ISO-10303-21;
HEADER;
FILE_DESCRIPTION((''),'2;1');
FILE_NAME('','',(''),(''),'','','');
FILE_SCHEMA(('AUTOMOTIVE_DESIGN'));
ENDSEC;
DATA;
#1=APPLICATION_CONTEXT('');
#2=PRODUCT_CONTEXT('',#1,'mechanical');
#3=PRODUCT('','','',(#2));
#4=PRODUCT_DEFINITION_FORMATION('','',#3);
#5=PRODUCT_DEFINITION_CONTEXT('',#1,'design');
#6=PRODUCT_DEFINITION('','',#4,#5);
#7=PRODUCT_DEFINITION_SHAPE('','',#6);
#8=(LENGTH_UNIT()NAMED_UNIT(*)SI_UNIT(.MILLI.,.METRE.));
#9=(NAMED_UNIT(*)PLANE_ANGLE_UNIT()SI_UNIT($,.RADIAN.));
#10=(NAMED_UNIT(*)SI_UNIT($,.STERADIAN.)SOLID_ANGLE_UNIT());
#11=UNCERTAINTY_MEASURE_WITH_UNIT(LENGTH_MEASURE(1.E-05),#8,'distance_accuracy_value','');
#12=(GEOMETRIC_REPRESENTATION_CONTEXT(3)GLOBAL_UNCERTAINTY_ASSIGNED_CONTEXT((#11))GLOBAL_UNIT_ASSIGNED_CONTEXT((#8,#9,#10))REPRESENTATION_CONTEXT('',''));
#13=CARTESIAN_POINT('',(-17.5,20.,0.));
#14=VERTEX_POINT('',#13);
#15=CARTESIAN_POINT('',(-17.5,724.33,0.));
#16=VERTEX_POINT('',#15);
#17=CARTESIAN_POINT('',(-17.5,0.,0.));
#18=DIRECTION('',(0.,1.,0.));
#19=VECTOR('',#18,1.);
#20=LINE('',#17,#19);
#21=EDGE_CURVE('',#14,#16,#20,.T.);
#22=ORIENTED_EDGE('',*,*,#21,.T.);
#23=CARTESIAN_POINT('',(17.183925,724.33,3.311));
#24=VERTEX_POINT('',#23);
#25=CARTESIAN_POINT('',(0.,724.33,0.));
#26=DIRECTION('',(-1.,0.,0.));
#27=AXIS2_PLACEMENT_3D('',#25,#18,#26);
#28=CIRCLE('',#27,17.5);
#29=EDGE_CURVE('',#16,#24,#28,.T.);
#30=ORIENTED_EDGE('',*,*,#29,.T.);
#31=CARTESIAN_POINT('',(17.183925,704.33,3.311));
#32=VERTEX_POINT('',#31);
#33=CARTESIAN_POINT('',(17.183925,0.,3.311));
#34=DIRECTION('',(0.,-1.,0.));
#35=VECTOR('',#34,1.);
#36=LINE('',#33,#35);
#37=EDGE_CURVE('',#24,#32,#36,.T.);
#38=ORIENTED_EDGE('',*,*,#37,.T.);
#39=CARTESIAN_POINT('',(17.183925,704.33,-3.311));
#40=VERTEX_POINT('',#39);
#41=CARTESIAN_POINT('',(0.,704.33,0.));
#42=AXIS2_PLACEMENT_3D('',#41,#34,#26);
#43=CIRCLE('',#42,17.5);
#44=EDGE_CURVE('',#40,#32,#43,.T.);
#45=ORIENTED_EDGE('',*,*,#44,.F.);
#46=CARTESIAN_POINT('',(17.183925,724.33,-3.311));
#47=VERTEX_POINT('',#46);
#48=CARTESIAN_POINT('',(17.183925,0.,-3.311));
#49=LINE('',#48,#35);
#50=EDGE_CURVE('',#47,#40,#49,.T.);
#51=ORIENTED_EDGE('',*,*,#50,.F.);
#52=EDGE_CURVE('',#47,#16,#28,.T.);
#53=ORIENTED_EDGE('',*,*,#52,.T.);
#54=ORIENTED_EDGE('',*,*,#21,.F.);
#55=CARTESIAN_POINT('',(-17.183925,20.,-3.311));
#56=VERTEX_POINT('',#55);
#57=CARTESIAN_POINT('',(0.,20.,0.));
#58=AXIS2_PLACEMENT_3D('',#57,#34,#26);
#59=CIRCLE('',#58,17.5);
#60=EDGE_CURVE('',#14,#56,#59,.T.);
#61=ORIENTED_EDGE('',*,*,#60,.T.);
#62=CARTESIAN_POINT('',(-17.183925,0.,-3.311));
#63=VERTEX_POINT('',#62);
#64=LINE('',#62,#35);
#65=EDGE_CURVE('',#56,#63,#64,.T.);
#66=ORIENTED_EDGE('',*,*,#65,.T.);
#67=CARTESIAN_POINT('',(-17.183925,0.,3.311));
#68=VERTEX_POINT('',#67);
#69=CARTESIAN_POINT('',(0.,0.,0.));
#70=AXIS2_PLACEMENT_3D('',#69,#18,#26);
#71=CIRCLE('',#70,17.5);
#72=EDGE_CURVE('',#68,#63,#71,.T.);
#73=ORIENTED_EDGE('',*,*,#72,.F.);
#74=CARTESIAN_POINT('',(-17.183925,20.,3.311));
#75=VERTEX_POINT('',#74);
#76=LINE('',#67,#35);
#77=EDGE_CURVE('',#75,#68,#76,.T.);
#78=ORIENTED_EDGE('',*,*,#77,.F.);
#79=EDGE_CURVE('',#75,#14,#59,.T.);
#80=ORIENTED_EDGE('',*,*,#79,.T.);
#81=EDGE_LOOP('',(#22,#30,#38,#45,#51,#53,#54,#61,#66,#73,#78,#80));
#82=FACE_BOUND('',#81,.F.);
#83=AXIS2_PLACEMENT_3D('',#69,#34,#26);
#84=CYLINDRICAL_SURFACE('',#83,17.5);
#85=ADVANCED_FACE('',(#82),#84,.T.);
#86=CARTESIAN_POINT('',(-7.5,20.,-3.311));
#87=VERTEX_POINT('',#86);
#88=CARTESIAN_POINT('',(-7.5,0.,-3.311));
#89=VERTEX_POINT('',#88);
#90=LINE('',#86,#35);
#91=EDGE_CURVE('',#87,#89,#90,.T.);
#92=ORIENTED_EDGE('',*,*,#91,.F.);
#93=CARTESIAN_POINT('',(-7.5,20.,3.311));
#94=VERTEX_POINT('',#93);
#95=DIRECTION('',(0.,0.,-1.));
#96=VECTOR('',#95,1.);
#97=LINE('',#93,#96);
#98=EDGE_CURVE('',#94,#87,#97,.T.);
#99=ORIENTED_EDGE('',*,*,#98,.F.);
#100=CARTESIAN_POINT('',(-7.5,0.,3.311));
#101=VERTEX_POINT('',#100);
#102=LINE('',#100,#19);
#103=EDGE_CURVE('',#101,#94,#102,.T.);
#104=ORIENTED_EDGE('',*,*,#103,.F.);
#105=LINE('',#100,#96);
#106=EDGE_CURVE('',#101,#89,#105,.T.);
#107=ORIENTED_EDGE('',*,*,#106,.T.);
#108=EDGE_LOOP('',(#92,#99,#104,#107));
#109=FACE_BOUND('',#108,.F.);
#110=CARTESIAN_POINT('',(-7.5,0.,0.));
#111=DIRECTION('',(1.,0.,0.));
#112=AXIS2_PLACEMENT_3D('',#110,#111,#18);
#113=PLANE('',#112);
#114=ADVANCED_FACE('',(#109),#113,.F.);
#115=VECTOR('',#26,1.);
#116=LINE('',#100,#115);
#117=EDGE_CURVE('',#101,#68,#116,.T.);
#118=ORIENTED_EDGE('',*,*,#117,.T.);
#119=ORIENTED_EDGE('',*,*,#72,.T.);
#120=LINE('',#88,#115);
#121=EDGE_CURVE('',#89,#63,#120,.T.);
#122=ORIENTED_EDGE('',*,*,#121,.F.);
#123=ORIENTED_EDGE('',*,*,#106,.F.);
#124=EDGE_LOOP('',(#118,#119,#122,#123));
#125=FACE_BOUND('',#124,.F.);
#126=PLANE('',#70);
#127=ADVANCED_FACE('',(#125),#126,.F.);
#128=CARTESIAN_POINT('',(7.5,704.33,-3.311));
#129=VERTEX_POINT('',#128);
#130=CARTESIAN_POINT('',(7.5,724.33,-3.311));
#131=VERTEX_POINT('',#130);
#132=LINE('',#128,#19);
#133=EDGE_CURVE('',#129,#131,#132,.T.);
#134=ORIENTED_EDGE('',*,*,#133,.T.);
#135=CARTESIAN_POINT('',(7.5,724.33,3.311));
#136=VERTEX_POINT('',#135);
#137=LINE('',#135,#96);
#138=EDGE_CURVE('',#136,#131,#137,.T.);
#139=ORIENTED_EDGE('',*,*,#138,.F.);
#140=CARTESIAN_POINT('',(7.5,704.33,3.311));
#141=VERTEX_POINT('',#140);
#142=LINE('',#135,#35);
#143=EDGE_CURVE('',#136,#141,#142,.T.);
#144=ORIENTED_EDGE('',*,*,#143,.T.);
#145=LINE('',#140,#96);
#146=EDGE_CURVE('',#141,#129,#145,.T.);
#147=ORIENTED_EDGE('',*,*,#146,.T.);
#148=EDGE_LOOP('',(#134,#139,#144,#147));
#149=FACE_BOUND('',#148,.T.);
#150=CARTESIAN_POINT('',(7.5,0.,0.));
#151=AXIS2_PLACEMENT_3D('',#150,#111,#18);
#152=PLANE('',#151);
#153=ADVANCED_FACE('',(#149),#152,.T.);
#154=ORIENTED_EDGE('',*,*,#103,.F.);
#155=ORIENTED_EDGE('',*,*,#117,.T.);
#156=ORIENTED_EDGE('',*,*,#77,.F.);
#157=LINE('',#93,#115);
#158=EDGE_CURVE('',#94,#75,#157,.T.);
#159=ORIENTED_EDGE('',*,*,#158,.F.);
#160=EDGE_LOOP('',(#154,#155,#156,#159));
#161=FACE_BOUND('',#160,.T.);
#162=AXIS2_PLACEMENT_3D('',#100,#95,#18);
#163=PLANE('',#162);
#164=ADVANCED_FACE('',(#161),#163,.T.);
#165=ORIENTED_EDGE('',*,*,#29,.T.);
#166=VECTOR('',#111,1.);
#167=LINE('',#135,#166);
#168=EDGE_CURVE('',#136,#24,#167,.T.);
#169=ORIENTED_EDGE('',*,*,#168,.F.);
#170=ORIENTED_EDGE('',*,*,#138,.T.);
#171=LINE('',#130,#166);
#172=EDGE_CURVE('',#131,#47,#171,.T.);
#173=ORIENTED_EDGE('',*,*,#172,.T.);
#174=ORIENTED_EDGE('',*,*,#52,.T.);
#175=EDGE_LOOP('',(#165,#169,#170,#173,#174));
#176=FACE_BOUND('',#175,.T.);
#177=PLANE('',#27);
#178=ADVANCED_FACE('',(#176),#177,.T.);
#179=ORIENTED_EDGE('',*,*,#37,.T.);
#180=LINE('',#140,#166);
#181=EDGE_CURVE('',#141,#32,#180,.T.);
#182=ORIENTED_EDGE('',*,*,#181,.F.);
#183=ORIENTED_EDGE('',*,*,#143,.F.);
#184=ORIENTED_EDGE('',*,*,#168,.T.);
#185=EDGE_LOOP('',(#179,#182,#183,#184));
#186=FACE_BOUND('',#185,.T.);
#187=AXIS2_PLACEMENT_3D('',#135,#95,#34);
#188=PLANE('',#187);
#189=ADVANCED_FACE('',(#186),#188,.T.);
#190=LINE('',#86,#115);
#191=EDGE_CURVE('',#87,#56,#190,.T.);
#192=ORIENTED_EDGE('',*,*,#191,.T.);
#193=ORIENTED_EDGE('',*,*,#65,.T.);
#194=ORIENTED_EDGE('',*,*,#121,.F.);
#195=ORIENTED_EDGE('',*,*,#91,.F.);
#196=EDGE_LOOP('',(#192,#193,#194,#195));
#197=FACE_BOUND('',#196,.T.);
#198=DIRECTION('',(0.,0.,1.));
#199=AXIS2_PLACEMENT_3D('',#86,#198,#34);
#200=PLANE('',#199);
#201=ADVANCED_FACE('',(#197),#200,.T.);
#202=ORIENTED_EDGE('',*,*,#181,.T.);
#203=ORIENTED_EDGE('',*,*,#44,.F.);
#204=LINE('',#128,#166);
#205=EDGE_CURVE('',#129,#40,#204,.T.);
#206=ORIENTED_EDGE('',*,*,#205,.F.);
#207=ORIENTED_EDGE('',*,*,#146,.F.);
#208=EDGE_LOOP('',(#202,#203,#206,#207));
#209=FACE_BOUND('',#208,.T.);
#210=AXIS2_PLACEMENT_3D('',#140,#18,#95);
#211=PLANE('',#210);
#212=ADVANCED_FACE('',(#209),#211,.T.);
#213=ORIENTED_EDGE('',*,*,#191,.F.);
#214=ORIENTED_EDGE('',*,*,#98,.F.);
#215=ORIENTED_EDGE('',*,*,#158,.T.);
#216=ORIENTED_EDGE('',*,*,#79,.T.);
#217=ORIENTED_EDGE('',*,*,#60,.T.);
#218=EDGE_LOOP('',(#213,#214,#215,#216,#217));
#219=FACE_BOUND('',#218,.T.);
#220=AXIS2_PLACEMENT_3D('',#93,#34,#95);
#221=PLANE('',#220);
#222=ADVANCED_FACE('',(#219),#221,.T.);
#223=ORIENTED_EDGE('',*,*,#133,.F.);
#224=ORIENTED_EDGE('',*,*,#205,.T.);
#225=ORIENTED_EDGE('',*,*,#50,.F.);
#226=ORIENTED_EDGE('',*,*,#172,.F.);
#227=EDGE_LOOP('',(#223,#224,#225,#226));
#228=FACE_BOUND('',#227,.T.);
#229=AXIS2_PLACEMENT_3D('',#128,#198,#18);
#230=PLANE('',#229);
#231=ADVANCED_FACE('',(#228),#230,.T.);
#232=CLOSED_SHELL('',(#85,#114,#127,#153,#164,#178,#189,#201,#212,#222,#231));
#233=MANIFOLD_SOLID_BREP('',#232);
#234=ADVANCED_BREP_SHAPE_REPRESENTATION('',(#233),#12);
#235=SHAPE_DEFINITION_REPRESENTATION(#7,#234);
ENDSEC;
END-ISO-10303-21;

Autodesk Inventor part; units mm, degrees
ref_plane "XZ Plane" through (0, 0, 0) normal (0, 1, 0) x (-1, 0, 0)
sketch "Skizze1" plane through (0, 0, 0) normal (0, 1, 0) x (-1, 0, 0)
  circle A0 centre (0, 0) radius 17.5
  dimension "d0" = 35
extrude "Extrusion1" add sketch "Skizze1" along normal blind 724.33
ref_plane "Arbeitsebene1" through (-7.5, 0, 0) normal (1, 0, 0) x (0, 1, 0)
sketch "Skizze2" plane through (-7.5, 0, 0) normal (1, 0, 0) x (0, 1, 0)
  line L0 (0, 0) -> (0, 3.311)
  line L1 (0, -17.5) -> (0, 17.5) construction
  line L2 (0, 0) -> (0, -3.311)
  line L3 (0, 3.311) -> (20, 3.311)
  line L4 (20, 3.311) -> (20, -3.311)
  line L5 (20, -3.311) -> (0, -3.311)
  line L6 (0, -3.311) -> (0, 3.311)
  dimension "d4" = 3.311
  dimension "d5" = 3.311
  dimension "d6" = 20
extrude "Extrusion2" cut sketch "Skizze2" against normal blind 724.33
ref_plane "Arbeitsebene2" through (7.5, 0, 0) normal (1, 0, 0) x (0, 1, 0)
sketch "Skizze3" plane through (7.5, 0, 0) normal (1, 0, 0) x (0, 1, 0)
  line L0 (724.33, -17.5) -> (724.33, 17.5) construction
  line L1 (724.33, 0) -> (724.33, 3.311)
  line L2 (724.33, 0) -> (724.33, -3.311)
  line L3 (724.33, 3.311) -> (704.33, 3.311)
  line L4 (704.33, 3.311) -> (704.33, -3.311)
  line L5 (704.33, -3.311) -> (724.33, -3.311)
  line L6 (724.33, -3.311) -> (724.33, 3.311)
  point P0 (0, 0)
  dimension "d10" = 3.311
  dimension "d11" = 3.311
  dimension "d12" = 20
extrude "Extrusion3" cut sketch "Skizze3" along normal blind 724.33
equation "\"d0\" = Wellensdurchmesser"
equation "\"d7\" = Wellenlänge"
equation "\"d13\" = Wellenlänge"
equation "\"Wellensdurchmesser\" = 35"
equation "\"Wellenlänge\" = 724.33"
properties part number "Welle"
